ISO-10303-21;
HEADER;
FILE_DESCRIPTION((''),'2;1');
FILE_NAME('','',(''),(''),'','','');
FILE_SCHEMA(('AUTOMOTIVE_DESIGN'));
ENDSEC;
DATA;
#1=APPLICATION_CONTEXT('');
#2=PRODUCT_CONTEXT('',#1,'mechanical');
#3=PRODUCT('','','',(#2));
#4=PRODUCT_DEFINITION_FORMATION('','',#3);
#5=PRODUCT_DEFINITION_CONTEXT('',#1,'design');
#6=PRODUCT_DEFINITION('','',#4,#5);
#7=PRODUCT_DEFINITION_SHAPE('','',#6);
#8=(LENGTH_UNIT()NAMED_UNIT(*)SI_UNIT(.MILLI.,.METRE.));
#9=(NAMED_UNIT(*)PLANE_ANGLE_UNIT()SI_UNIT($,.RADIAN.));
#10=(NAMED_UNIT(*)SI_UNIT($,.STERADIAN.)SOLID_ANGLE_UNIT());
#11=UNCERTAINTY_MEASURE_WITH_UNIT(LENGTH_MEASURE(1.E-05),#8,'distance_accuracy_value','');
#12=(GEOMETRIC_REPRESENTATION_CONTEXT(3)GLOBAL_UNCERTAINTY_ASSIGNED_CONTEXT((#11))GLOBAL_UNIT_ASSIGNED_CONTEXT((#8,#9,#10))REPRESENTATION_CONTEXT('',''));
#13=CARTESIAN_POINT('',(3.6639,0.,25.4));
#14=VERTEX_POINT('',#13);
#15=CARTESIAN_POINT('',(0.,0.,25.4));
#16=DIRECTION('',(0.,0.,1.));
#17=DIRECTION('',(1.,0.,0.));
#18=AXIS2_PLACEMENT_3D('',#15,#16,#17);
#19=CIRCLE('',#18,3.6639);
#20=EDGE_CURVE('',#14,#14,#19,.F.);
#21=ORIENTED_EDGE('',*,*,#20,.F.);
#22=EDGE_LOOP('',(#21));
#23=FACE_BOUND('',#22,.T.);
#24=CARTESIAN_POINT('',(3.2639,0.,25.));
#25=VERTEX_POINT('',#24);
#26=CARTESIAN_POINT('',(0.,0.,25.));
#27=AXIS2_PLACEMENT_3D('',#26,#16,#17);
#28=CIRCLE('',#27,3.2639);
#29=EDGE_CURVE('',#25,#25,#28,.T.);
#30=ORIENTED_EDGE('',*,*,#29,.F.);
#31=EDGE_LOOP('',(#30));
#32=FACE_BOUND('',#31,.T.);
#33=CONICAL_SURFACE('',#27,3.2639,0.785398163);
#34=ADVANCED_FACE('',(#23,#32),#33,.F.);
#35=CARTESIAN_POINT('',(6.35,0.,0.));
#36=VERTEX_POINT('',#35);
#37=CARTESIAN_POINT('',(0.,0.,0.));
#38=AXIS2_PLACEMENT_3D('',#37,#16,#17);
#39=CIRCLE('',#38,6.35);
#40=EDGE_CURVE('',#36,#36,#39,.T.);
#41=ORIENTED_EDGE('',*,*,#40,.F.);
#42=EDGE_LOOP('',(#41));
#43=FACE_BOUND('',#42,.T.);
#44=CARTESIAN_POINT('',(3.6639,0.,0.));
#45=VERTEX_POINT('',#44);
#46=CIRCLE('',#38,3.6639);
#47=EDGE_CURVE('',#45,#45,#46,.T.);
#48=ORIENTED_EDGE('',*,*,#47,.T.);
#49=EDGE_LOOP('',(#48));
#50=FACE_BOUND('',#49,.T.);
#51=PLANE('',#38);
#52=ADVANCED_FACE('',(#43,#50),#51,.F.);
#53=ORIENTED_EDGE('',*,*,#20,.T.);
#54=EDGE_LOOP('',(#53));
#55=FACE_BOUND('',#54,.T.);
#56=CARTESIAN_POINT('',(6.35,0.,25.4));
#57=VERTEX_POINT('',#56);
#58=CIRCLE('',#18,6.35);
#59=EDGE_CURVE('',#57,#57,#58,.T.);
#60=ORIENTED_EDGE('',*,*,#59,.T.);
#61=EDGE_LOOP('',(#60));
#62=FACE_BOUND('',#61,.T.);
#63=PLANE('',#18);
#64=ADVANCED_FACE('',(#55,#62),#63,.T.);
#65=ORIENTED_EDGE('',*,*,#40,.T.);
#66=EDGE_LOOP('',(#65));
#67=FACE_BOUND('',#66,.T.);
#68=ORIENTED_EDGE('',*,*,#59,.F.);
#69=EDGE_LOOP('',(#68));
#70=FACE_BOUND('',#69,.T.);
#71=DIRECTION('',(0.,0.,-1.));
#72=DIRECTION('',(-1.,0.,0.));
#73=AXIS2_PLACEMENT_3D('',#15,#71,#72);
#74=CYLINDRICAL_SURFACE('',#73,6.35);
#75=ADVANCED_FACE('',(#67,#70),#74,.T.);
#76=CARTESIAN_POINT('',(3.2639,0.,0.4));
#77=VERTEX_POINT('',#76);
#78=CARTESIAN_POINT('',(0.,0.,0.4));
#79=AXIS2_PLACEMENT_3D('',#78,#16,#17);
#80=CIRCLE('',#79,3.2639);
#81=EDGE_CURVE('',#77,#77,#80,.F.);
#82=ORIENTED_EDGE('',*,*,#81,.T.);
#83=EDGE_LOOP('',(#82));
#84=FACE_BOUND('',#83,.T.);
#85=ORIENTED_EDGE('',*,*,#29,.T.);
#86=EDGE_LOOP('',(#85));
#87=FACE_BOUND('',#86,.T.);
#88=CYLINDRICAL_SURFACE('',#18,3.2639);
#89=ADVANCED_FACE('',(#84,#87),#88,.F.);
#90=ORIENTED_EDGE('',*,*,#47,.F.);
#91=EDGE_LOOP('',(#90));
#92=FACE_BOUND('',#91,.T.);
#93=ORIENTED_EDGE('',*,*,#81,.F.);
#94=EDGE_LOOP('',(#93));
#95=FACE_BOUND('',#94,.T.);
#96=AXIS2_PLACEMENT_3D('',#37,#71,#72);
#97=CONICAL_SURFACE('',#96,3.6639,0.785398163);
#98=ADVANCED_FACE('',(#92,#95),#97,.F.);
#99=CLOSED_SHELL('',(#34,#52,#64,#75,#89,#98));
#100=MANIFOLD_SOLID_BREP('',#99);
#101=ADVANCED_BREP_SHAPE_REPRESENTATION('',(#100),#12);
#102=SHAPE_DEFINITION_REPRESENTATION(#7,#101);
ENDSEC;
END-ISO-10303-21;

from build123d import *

# Parameters (mm, degrees)
SKETCH1_R                = 6.35
BOSS_EXTRUDE1_DEPTH      = 25.4
F_0_257_DIAMETER_HOLE1_D = 6.5278
CHAMFER1_SIZE            = 0.4


with BuildPart() as part:
    # Sketch1 → Boss-Extrude1 (new body)
    with BuildSketch(Plane.XY):
        Circle(SKETCH1_R)
    extrude(amount=BOSS_EXTRUDE1_DEPTH)

    # F (0.257) Diameter Hole1 (through all)
    with Locations(Plane.XY.offset(25.4)):
        with Locations((0, 0)):
            Hole(F_0_257_DIAMETER_HOLE1_D / 2)

    # Chamfer1
    chamfer1_edges = [part.edges().sort_by_distance(p)[0] for p in [
        (3.2639, 0, 25.4),
        (3.2639, 0, 0),
    ]]
    chamfer(chamfer1_edges, length=CHAMFER1_SIZE)


solid = part.part
